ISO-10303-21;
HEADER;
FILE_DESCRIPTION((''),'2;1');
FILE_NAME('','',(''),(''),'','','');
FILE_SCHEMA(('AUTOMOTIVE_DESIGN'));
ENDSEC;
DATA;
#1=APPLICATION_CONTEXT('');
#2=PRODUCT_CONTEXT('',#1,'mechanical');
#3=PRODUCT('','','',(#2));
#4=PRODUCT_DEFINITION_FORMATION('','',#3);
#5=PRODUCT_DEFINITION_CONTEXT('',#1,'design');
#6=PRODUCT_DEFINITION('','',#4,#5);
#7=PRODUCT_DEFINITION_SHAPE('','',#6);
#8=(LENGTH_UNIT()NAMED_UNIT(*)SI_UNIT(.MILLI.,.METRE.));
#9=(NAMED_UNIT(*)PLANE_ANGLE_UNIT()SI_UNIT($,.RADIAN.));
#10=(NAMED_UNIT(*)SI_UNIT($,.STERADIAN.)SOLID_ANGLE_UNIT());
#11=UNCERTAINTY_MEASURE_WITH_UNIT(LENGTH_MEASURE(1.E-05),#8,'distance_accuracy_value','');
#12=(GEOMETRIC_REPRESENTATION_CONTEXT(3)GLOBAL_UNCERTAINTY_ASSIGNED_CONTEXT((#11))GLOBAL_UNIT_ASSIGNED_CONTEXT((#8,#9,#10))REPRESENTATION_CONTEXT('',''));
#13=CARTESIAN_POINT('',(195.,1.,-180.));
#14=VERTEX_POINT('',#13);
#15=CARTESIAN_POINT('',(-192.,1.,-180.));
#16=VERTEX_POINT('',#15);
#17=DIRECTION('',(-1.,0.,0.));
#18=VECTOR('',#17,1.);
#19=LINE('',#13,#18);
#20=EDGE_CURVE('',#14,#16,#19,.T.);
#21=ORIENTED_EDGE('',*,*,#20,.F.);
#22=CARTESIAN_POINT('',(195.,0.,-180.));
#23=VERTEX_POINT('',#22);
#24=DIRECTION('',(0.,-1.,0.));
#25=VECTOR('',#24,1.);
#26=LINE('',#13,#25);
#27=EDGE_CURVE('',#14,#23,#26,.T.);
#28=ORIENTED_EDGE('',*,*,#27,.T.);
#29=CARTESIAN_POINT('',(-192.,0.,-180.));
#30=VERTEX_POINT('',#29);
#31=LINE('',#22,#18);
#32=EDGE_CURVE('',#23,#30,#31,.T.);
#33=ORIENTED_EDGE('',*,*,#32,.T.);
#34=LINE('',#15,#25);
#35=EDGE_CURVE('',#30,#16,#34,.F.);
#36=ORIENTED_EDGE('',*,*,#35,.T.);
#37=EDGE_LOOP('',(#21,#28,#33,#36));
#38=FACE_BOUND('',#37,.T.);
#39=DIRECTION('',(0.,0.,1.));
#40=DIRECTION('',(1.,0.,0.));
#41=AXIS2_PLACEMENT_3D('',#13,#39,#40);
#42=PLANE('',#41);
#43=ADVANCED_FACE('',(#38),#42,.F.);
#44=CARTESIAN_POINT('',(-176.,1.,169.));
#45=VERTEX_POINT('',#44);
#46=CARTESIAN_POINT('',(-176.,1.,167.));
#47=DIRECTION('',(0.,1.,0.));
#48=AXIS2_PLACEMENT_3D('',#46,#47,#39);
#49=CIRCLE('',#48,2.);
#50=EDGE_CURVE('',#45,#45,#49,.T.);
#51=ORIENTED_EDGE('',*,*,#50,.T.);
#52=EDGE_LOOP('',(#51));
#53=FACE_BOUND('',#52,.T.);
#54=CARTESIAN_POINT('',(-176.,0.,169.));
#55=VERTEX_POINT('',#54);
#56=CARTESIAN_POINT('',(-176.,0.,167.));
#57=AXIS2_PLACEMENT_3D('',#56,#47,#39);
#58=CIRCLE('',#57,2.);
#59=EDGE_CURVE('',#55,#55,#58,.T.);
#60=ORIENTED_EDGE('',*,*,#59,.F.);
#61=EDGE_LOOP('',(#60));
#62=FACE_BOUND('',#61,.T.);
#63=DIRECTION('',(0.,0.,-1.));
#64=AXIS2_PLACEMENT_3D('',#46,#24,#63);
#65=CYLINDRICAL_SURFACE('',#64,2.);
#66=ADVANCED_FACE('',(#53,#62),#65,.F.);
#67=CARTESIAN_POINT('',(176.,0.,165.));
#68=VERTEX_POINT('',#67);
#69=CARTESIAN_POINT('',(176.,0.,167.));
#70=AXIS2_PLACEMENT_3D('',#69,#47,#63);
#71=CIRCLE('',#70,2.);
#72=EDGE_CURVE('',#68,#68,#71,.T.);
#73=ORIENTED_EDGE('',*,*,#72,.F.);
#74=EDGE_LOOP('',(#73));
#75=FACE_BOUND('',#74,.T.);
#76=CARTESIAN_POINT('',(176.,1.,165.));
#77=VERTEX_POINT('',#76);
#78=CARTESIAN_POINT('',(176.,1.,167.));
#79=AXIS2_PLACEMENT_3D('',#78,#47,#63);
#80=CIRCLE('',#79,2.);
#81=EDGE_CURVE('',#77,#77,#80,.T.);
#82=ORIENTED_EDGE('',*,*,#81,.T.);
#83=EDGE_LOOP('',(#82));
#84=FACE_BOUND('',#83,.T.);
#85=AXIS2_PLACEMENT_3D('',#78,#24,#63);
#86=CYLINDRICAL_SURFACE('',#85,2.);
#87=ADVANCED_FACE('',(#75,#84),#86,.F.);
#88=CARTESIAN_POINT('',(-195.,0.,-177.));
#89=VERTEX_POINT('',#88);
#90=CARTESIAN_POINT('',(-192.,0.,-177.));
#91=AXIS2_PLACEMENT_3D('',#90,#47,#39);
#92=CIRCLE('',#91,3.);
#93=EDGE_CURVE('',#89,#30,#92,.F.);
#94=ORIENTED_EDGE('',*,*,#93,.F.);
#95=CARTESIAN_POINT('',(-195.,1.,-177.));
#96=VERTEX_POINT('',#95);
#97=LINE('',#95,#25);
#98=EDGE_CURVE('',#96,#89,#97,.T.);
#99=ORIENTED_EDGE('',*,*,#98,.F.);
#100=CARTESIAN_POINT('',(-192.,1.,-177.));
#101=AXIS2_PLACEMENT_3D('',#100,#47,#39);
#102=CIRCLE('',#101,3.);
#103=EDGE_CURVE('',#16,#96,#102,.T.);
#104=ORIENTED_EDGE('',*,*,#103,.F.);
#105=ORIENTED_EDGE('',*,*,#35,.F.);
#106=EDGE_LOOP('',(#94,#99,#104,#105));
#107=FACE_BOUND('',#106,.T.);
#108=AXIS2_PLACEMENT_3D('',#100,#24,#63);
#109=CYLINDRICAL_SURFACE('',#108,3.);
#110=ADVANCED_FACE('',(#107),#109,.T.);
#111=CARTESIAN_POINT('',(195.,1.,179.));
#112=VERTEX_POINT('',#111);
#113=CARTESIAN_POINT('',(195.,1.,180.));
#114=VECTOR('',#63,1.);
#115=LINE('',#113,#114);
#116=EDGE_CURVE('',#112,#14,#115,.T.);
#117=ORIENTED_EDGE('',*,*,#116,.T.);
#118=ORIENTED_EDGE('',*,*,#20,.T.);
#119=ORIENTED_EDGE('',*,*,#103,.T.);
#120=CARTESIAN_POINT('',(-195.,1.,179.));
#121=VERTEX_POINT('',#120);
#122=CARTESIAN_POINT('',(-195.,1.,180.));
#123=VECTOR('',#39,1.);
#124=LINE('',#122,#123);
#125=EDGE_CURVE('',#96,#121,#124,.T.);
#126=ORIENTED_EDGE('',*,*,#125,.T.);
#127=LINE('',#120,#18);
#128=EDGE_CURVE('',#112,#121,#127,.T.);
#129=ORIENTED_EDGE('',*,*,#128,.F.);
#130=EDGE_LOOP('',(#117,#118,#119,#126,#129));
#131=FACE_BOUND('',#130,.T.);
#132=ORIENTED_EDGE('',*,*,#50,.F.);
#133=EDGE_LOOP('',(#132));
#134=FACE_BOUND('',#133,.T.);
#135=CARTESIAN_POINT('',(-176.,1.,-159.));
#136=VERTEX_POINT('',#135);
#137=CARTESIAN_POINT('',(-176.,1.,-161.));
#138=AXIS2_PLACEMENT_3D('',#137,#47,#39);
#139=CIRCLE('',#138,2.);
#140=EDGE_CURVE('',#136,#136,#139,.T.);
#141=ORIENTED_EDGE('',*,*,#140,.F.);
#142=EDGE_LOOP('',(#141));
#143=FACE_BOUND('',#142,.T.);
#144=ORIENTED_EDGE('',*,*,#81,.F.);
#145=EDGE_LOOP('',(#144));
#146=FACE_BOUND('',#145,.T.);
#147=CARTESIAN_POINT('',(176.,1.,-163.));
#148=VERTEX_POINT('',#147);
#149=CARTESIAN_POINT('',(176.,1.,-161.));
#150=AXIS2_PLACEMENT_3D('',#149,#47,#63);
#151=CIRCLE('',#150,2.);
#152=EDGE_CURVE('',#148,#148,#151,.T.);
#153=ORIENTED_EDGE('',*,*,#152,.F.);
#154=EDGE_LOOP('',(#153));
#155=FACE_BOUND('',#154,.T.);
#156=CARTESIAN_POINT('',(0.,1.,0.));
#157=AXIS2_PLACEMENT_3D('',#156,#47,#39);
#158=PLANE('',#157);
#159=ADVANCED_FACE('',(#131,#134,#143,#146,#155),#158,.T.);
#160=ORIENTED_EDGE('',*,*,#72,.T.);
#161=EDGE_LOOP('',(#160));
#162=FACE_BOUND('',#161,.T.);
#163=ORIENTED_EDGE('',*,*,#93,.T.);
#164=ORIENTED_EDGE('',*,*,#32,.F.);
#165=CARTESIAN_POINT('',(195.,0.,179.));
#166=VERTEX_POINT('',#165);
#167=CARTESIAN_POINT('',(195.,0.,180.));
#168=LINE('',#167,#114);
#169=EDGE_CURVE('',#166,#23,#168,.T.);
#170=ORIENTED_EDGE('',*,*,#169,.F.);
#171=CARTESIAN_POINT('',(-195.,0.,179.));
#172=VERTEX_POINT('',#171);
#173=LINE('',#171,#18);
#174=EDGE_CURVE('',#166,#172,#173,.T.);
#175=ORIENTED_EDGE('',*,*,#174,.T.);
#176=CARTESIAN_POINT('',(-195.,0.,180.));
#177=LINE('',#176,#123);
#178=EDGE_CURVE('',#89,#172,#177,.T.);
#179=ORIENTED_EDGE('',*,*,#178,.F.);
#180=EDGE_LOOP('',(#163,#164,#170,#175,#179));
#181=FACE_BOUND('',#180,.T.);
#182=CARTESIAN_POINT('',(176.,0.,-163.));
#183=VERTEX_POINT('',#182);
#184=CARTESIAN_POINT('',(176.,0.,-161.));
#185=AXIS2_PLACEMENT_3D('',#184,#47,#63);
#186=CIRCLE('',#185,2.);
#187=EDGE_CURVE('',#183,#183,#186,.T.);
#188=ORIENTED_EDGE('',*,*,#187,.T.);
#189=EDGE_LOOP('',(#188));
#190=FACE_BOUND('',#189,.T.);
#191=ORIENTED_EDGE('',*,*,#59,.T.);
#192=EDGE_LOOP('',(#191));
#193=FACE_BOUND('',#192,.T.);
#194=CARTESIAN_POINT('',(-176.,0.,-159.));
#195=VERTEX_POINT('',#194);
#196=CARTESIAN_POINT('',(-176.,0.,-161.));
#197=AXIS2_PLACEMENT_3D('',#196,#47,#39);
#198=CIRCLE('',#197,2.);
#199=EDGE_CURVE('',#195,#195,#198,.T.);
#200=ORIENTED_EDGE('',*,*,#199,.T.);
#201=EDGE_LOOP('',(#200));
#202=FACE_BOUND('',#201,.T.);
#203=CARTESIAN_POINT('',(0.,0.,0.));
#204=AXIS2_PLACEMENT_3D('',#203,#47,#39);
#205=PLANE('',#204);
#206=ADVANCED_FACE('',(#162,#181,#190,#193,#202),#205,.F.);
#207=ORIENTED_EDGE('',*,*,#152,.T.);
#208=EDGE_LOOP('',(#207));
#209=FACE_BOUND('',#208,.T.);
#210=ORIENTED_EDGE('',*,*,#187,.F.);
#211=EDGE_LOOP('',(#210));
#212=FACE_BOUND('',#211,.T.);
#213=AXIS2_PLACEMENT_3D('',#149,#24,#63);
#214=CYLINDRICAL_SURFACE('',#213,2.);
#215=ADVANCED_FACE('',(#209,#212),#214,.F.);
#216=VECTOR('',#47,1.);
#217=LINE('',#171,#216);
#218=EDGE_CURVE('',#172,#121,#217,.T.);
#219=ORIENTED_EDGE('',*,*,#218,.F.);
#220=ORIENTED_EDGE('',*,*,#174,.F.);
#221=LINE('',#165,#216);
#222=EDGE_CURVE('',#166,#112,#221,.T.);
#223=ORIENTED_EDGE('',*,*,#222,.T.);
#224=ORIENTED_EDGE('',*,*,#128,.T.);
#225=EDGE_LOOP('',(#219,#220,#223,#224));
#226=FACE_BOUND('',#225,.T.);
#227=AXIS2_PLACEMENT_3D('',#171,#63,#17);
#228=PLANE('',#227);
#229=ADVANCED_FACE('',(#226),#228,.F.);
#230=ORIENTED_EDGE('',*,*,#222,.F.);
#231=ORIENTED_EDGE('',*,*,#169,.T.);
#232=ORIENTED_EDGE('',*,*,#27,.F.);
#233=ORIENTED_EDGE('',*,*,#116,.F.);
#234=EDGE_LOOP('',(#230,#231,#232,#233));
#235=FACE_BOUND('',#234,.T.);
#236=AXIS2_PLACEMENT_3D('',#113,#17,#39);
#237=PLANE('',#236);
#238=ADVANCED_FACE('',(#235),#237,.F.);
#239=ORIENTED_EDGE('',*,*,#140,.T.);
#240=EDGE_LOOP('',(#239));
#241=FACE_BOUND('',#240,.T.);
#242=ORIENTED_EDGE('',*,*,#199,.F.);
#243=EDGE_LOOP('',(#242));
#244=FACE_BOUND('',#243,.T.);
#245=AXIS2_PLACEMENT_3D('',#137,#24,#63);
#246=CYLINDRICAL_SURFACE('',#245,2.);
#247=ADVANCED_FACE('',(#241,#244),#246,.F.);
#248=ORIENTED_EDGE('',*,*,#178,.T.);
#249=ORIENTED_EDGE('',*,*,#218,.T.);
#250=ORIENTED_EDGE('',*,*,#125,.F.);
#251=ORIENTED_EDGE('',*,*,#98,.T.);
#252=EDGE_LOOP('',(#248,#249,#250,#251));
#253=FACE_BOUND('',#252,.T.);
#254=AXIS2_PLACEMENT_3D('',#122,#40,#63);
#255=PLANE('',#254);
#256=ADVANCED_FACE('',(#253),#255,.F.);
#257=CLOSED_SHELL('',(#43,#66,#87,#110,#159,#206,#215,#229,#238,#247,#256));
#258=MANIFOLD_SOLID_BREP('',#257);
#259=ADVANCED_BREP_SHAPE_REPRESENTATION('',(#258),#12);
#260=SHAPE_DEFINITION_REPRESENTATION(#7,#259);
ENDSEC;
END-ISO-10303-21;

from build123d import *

# Parameters (mm, degrees)
SKETCH1_W           = 390
SKETCH1_H           = 360
SKETCH1_R           = 2
BOSS_EXTRUDE1_DEPTH = 1
FILLET1_R           = 3
SKETCH2_W           = 390
SKETCH2_H           = 1
CUT_EXTRUDE1_DEPTH  = 266.378974299


with BuildPart() as part:
    # Sketch1 → Boss-Extrude1 (new body)
    with BuildSketch(Plane(origin=(0, 0, 0), x_dir=(1, 0, 0), z_dir=(0, 1, 0))):
        Rectangle(SKETCH1_W, SKETCH1_H)
        with Locations(Location((-176, -167, 0), (0, 0, 270))):
            Circle(SKETCH1_R, mode=Mode.SUBTRACT)
        with Locations(Location((-176, 161, 0), (0, 0, 270))):
            Circle(SKETCH1_R, mode=Mode.SUBTRACT)
        with Locations(Location((176, 161, 0), (0, 0, 90))):
            Circle(SKETCH1_R, mode=Mode.SUBTRACT)
        with Locations(Location((176, -167, 0), (0, 0, 90))):
            Circle(SKETCH1_R, mode=Mode.SUBTRACT)
    extrude(amount=BOSS_EXTRUDE1_DEPTH)

    # Fillet1
    fillet1_edges = [part.edges().sort_by_distance(p)[0] for p in [
        (-195, 0.5, -180),
    ]]
    fillet(fillet1_edges, radius=FILLET1_R)

    # Sketch2 → Cut-Extrude1 (cut, through all)
    with BuildSketch(Plane(origin=(0, 1, 0), x_dir=(1, 0, 0), z_dir=(0, 1, 0))):
        with Locations((0, -179.5)):
            Rectangle(SKETCH2_W, SKETCH2_H)
    extrude(amount=-CUT_EXTRUDE1_DEPTH, mode=Mode.SUBTRACT)


solid = part.part
